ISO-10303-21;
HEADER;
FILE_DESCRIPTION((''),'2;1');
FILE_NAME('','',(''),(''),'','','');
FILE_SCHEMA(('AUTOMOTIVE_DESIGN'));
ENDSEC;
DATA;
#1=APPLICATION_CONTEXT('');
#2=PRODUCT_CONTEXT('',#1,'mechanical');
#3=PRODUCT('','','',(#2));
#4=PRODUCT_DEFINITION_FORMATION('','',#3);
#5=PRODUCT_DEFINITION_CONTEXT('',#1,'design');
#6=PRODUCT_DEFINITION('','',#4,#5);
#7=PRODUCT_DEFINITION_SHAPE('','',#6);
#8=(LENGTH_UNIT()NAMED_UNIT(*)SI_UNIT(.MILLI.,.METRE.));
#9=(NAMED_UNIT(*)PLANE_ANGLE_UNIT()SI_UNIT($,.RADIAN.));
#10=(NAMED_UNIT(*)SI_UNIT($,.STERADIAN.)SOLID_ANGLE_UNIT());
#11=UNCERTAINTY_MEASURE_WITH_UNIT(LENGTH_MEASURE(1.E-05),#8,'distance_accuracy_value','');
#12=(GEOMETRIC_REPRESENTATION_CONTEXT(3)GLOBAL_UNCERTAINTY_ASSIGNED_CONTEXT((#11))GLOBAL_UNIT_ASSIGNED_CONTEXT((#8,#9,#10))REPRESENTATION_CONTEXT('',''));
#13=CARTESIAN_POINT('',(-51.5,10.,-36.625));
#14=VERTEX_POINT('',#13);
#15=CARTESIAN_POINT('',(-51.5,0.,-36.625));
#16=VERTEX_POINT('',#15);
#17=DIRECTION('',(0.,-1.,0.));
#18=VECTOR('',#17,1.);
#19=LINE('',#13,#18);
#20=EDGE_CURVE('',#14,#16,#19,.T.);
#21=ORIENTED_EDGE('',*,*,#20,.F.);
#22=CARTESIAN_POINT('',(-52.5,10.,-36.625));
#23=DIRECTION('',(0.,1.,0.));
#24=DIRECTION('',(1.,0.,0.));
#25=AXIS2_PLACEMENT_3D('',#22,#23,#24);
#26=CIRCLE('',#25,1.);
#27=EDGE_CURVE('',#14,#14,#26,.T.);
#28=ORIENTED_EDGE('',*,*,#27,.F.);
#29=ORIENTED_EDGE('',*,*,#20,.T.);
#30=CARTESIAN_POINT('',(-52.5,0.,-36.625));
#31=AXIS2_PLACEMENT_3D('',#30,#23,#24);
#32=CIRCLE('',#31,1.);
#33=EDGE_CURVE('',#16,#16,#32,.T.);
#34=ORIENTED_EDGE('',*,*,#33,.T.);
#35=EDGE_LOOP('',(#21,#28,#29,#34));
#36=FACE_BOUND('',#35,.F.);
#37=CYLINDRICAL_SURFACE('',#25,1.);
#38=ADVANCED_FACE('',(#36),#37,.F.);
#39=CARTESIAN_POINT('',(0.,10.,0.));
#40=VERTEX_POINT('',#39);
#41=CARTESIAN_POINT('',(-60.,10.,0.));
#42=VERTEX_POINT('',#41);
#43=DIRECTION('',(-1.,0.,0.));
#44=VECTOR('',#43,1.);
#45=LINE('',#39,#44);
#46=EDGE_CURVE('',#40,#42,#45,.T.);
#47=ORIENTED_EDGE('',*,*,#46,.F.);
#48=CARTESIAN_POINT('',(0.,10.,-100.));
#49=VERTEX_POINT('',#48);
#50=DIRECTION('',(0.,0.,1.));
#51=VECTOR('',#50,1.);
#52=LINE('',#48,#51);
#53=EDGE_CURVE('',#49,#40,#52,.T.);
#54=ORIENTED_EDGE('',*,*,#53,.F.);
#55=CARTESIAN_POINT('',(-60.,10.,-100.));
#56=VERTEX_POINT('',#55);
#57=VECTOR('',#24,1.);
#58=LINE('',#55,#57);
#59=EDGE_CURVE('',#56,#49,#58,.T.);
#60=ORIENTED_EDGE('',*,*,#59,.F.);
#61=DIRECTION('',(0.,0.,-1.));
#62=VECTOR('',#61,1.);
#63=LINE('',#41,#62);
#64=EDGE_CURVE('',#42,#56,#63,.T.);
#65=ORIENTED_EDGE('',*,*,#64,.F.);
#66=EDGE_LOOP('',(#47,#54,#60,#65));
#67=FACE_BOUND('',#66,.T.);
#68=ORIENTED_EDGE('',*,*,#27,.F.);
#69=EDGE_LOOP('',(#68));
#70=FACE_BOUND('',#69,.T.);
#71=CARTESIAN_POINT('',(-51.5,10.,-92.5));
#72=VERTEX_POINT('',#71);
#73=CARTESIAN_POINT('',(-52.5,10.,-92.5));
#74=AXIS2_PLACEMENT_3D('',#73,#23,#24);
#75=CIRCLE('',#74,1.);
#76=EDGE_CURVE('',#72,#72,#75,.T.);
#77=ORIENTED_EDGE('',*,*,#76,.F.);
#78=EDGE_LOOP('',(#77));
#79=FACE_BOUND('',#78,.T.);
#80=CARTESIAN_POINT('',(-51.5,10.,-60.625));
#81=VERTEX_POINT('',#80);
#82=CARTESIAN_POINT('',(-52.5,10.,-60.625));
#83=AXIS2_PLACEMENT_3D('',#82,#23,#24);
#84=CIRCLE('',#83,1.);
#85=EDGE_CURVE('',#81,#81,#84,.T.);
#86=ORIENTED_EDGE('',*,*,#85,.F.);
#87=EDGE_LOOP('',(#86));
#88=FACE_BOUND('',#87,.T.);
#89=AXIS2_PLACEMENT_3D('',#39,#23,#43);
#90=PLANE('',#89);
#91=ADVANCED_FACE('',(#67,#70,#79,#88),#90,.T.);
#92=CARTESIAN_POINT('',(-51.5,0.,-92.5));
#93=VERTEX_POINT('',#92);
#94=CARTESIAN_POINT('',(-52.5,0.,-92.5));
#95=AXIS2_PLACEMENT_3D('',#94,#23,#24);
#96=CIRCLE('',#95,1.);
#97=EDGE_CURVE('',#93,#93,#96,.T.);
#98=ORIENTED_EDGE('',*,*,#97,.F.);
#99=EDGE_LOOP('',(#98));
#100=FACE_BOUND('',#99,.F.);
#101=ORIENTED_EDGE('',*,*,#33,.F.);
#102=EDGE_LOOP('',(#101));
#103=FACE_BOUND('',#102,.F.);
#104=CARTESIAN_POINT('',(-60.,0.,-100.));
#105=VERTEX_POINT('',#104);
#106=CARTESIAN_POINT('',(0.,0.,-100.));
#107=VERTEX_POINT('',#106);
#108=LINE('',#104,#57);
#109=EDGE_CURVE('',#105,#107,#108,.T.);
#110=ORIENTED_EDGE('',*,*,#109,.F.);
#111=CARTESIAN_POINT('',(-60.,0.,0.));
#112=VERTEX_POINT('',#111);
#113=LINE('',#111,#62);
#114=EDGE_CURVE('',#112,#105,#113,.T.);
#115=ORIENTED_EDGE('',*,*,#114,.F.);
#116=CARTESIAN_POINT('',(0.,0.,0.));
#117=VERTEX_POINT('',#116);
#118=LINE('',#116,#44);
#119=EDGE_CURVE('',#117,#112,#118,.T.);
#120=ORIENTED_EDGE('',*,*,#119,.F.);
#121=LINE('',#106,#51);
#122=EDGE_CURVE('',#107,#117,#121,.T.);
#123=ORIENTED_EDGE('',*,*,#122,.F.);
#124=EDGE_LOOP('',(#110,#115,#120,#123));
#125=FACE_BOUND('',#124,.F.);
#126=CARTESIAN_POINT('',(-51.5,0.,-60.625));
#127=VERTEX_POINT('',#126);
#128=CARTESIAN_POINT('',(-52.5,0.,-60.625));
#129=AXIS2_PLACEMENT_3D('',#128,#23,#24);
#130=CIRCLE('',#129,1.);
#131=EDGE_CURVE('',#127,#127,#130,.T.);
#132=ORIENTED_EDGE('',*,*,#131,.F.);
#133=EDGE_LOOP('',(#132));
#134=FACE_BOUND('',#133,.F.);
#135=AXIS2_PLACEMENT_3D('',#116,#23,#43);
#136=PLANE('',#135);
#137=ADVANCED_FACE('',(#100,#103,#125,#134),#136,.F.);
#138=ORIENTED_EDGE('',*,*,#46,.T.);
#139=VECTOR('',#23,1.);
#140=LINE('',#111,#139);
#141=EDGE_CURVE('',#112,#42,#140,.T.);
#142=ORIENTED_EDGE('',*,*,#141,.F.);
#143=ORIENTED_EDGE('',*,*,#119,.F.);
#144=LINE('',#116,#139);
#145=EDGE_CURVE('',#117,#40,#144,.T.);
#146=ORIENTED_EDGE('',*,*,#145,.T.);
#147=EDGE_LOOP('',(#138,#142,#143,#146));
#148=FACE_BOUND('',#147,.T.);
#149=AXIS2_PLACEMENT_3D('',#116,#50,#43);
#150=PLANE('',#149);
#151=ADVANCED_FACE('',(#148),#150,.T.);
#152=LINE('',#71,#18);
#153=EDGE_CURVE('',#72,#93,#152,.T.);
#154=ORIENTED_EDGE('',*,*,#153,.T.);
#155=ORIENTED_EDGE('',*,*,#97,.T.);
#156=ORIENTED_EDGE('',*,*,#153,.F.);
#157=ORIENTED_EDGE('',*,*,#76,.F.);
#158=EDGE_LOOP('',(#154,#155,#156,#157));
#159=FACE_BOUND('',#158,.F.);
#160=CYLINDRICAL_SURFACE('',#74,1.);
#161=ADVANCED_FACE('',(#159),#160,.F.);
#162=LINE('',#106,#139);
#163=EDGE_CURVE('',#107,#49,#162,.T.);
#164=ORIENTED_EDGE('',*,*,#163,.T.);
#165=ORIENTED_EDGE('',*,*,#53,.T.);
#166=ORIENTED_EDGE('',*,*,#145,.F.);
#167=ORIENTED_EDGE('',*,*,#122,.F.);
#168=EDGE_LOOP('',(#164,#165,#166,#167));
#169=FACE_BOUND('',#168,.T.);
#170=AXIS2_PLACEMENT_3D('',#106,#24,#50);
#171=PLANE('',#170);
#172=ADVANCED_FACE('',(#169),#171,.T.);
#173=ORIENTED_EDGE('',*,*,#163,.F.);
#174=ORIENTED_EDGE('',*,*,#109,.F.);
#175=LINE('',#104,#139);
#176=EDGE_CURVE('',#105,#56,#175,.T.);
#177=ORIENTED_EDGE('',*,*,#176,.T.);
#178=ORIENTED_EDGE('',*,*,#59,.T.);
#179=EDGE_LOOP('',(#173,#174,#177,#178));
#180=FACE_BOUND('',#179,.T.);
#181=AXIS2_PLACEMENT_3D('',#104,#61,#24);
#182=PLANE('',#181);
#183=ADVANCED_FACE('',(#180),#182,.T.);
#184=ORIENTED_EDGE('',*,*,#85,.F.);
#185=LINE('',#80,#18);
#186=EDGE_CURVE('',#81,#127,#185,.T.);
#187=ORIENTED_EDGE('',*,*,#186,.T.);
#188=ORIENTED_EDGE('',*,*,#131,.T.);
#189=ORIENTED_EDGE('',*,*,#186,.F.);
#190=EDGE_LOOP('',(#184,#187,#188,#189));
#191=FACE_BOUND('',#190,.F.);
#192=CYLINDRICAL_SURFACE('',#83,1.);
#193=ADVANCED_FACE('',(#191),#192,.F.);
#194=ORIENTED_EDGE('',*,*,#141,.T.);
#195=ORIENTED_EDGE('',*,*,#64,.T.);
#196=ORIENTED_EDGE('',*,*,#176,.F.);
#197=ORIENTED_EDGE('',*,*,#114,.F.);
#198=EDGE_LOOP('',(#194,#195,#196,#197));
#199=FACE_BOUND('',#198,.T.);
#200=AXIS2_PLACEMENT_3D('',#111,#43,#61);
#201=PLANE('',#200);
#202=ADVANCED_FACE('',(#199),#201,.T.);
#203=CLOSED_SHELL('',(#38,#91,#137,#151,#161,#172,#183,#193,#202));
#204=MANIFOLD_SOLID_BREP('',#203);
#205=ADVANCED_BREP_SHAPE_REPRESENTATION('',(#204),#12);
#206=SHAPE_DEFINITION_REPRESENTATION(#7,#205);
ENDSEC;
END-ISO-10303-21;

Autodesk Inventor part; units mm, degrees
ref_plane "YZ Plane" through (0, 0, 0) normal (1, 0, 0) x (0, 1, 0)
ref_plane "XZ Plane" through (0, 0, 0) normal (0, 1, 0) x (-1, 0, 0)
ref_plane "XY Plane" through (0, 0, 0) normal (0, 0, 1) x (1, 0, 0)
sketch "Sketch1" plane through (0, 0, 0) normal (0, 1, 0) x (-1, 0, 0)
  line L0 (0, 0) -> (60, 0)
  line L1 (60, 0) -> (60, -100)
  line L2 (60, -100) -> (0, -100)
  line L3 (0, -100) -> (0, 0)
  dimension "d0" = 60
  dimension "d1" = 100
extrude "Extrusion1" add sketch "Sketch1" along normal blind 10
sketch "Sketch2" plane through (0, 10, 0) normal (0, 1, 0) x (1, 0, 0)
  circle A0 centre (-52.5, 60.625) radius 1
  line L0 (0, 100) -> (-60, 100) projected
  line L1 (-60, 100) -> (-60, 0) projected
  point P0 (0, 0)
  dimension "d4" = 2
  dimension "d5" = 39.375
  dimension "d6" = 7.5
extrude "Extrusion2" cut sketch "Sketch2" against normal blind 10
sketch "Sketch3" plane through (0, 10, 0) normal (0, 1, 0) x (1, 0, 0)
  circle A0 centre (-52.5, 36.625) radius 1
  circle A1 centre (-52.5, 60.625) radius 1 projected
  point P0 (0, 0)
  dimension "d9" = 2
  dimension "d10" = 24
  dimension "d11" = 0
extrude "Extrusion3" cut sketch "Sketch3" against normal blind 10 contours A0
sketch "Sketch4" plane through (0, 10, 0) normal (0, 1, 0) x (1, 0, 0)
  circle A0 centre (-52.5, 92.5) radius 1
  line L0 (0, 100) -> (-60, 100) projected
  line L1 (-60, 100) -> (-60, 0) projected
  point P0 (0, 0)
  dimension "d14" = 2
  dimension "d15" = 7.5
  dimension "d16" = 7.5
extrude "Extrusion4" cut sketch "Sketch4" against normal blind 10
properties part number "temp back plate"
